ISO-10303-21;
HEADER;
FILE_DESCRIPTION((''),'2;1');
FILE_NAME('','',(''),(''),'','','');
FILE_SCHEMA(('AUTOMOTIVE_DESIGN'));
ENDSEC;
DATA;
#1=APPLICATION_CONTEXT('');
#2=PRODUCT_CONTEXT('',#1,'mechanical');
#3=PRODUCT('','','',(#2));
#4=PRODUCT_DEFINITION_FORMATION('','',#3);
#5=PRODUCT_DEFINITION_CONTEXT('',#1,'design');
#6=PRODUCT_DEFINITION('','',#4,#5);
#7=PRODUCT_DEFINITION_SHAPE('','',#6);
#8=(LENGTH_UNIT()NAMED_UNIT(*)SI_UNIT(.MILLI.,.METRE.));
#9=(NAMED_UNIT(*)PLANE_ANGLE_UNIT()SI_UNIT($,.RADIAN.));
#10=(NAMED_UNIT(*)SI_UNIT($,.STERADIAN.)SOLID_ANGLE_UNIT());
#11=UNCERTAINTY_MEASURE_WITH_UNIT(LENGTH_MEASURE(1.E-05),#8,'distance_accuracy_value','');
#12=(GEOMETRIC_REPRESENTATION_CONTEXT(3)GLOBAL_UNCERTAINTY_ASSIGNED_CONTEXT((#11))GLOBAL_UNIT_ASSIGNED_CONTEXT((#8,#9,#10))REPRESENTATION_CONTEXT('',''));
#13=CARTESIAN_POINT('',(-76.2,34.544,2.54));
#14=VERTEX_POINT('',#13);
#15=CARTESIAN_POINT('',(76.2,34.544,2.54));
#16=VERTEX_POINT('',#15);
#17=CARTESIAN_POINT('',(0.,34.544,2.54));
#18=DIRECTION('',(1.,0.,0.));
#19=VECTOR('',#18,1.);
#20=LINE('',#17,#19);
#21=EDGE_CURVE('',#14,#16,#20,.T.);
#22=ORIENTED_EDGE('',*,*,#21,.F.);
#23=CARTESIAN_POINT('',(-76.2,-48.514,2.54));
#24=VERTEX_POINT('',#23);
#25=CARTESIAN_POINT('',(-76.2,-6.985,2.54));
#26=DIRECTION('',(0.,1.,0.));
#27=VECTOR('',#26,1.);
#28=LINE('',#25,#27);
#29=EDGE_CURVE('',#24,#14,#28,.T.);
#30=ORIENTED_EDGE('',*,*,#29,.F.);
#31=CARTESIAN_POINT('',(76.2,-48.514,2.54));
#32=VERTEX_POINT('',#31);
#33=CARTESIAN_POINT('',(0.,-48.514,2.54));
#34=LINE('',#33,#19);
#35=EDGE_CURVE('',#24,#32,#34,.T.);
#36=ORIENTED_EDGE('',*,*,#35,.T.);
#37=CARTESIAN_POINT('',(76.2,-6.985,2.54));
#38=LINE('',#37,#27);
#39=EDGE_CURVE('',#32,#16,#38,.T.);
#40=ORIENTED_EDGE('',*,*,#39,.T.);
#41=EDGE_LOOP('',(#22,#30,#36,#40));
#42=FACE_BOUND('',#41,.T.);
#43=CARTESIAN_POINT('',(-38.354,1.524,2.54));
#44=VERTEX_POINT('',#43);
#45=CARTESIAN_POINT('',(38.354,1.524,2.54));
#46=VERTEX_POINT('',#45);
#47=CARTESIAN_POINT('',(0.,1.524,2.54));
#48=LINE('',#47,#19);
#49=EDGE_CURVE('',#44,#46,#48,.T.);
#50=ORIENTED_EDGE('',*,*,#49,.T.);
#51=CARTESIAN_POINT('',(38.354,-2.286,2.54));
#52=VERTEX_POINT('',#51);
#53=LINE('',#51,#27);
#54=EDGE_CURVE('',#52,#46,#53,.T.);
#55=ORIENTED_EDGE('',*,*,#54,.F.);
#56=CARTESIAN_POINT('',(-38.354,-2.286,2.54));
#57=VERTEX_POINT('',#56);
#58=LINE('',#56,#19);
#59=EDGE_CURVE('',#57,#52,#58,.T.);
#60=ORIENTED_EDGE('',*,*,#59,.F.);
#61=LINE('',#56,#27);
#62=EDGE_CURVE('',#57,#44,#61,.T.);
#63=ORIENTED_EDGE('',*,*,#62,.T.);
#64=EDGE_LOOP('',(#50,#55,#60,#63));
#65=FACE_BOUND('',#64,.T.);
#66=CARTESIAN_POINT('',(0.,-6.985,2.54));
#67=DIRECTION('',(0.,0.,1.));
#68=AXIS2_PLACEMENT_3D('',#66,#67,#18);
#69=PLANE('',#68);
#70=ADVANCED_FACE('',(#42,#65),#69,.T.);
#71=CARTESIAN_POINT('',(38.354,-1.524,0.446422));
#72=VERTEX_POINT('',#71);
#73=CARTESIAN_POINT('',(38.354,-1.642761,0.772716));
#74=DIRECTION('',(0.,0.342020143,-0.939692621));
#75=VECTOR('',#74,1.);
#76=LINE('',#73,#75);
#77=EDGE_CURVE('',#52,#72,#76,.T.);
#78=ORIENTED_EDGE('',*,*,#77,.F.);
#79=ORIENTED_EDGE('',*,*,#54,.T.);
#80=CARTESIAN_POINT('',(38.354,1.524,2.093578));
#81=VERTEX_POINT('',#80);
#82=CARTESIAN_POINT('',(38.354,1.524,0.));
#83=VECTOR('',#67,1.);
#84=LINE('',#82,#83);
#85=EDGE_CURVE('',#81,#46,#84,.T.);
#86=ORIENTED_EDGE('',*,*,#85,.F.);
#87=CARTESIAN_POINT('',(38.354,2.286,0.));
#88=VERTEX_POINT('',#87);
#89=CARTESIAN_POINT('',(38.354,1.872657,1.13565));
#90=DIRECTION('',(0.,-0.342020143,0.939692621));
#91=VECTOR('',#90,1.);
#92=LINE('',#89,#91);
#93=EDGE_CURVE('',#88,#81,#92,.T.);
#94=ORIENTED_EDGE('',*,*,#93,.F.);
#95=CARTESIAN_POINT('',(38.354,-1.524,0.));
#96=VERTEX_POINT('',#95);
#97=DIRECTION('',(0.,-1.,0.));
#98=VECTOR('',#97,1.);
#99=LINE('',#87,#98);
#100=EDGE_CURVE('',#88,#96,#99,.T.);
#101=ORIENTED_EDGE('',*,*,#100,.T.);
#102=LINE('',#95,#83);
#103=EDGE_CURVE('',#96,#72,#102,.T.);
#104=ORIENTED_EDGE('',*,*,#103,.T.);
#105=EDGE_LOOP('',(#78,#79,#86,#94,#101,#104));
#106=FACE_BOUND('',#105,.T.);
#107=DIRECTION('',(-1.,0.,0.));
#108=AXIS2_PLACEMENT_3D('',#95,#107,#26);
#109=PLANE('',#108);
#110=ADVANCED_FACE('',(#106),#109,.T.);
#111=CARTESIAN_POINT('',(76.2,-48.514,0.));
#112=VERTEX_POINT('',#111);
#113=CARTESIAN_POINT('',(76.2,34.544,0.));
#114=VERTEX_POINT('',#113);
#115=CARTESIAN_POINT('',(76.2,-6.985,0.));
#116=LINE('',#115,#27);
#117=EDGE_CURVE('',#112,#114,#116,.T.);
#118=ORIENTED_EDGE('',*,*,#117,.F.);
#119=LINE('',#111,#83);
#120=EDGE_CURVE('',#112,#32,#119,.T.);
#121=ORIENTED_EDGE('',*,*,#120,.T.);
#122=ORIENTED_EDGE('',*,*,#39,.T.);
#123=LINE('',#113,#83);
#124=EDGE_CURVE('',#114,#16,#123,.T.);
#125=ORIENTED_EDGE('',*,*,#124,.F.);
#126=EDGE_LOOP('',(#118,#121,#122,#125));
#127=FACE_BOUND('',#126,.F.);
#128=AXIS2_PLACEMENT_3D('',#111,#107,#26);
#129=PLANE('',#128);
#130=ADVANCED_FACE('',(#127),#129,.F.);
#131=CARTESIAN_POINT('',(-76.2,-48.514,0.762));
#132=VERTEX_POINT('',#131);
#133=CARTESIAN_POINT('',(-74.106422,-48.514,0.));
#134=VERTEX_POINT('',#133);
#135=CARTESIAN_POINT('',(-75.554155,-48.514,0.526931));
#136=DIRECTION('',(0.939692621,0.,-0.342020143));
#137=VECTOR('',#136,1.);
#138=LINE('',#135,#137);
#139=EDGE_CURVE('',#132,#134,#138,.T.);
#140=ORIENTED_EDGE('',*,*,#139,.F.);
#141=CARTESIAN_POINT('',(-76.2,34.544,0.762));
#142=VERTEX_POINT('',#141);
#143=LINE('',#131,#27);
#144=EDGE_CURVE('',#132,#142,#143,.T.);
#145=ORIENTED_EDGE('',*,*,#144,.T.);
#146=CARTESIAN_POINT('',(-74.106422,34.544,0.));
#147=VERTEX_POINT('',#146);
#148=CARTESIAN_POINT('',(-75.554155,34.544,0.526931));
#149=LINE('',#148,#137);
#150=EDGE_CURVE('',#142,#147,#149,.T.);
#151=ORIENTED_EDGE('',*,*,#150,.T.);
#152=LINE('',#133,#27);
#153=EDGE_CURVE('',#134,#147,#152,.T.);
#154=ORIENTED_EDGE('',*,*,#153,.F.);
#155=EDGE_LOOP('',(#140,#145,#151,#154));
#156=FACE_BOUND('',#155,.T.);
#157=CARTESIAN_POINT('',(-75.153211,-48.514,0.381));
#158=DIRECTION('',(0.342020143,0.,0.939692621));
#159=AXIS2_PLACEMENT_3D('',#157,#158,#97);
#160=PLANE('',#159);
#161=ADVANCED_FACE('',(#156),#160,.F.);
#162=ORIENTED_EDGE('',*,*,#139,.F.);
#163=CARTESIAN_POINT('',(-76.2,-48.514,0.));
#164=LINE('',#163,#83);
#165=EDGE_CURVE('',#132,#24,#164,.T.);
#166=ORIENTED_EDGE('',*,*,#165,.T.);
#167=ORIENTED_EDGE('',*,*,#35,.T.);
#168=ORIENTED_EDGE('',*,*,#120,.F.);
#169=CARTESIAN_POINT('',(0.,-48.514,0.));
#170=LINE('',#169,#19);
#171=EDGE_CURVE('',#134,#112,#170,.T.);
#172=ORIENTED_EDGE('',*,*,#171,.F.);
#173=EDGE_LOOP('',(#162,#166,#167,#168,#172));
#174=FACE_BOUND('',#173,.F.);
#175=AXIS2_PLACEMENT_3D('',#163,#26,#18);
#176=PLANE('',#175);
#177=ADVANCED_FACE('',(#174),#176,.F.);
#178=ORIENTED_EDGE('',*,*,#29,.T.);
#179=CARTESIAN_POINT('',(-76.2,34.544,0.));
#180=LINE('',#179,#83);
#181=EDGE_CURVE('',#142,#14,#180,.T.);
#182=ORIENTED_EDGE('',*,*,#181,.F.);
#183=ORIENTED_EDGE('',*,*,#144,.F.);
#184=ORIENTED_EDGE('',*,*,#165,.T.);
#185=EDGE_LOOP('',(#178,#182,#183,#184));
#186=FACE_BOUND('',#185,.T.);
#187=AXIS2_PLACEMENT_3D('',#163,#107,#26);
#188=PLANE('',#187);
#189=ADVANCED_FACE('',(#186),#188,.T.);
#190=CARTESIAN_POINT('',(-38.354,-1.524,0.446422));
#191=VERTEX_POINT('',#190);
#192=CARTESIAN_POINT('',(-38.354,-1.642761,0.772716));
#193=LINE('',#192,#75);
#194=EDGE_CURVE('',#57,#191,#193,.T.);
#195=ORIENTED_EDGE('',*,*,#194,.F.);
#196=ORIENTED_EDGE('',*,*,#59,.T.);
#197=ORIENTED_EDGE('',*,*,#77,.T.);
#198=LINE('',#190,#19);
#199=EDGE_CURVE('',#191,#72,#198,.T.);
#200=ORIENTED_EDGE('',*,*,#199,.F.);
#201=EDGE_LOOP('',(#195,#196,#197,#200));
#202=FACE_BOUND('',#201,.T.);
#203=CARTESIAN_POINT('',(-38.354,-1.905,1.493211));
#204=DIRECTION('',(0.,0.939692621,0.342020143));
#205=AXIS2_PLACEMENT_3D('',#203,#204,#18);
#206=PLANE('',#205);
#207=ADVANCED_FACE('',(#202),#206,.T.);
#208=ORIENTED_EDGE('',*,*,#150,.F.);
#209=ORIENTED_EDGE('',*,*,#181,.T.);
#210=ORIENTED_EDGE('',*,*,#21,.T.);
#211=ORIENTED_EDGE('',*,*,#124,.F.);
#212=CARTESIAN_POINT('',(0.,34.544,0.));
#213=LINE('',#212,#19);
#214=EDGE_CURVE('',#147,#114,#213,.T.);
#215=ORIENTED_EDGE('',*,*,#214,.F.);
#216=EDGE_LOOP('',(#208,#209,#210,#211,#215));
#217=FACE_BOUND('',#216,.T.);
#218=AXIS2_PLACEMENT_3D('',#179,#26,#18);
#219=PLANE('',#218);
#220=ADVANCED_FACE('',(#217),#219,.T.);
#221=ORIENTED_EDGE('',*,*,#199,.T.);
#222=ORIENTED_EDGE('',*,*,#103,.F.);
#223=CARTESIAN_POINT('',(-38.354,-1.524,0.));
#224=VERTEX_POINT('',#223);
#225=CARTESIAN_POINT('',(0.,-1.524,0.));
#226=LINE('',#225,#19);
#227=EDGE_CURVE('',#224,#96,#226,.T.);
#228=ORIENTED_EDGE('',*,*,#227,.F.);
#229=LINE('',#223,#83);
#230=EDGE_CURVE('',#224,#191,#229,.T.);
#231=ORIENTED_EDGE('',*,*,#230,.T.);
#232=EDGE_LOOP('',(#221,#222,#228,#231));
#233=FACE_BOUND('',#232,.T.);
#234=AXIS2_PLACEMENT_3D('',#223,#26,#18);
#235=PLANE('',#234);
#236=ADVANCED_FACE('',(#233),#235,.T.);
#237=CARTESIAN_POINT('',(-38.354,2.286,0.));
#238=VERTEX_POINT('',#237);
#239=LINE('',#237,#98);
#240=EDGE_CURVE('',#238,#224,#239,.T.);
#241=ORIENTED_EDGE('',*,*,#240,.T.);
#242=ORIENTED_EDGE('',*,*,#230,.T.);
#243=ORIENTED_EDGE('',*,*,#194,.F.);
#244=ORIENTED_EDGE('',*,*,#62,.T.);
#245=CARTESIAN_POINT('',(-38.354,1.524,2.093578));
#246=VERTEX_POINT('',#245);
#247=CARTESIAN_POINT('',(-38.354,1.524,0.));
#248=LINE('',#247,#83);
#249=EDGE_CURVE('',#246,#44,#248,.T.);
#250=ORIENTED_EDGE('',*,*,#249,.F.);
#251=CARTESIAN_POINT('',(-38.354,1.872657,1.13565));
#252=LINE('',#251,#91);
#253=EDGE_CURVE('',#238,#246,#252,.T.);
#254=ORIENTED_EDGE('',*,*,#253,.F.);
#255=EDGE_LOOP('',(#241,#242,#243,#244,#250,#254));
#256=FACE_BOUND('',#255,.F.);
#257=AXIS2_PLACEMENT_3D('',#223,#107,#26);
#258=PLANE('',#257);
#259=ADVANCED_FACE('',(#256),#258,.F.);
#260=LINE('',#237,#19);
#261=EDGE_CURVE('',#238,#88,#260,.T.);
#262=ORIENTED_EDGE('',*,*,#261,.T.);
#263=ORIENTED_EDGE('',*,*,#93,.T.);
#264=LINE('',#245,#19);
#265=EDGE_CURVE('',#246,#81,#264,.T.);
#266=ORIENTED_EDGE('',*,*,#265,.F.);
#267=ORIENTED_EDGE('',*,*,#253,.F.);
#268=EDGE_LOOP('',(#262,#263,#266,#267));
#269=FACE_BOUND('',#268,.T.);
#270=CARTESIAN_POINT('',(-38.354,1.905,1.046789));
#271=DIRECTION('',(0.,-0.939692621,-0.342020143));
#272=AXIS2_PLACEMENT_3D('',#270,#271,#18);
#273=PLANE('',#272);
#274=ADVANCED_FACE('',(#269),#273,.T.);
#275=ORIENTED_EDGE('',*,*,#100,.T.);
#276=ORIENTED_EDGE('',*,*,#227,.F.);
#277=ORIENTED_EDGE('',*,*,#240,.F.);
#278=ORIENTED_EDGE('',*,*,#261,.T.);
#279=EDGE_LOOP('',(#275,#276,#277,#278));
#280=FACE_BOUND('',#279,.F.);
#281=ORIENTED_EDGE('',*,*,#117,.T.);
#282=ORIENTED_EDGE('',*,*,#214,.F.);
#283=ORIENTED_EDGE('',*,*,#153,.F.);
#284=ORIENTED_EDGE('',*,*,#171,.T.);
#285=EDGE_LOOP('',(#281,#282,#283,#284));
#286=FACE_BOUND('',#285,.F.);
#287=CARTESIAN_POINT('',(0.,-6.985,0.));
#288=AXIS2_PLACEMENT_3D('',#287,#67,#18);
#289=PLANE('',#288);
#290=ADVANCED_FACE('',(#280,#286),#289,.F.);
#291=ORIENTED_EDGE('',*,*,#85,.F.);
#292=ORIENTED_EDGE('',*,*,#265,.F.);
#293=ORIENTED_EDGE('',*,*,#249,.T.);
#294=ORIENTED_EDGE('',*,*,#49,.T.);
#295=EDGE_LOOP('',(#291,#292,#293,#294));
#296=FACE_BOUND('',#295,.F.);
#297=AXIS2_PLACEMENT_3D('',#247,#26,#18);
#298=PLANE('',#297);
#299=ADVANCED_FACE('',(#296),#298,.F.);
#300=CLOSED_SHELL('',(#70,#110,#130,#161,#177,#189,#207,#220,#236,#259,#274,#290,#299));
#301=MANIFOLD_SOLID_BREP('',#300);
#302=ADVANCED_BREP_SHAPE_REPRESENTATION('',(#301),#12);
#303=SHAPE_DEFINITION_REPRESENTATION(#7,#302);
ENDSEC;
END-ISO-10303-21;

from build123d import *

# Parameters (mm, degrees)
F0_W       = 152.4
F0_H       = 83.058
F0_W_2     = 76.708
F0_H_2     = 3.048
F1_DEPTH   = 2.54
F2_SIZE2   = 2.0935777936
F2_SIZE    = 0.762
F3_SIZE2   = 2.0935777936
F3_SIZE    = 0.762
F3_2_SIZE2 = 2.0935777936
F3_2_SIZE  = 0.762


with BuildPart() as f1:
    # F0 (on Top) → F1 (new body)
    with BuildSketch(Plane.XY):
        with Locations((0, -6.985)):
            Rectangle(F0_W, F0_H)
        Rectangle(F0_W_2, F0_H_2, mode=Mode.SUBTRACT)
    extrude(amount=F1_DEPTH)

    # F2
    f2_edges = [f1.edges().sort_by_distance(p)[0] for p in [
        (0, 1.524, 0),
    ]]
    f2_side = f1.faces().sort_by_distance((0, -7.116448, 0))[0]
    chamfer(f2_edges, length=F2_SIZE, length2=F2_SIZE2, reference=f2_side)

    # F3
    f3_edges = [f1.edges().sort_by_distance(p)[0] for p in [
        (0, -1.524, 2.54),
    ]]
    f3_side = f1.faces().sort_by_distance((0, -7.116448, 2.54))[0]
    chamfer(f3_edges, length=F3_SIZE, length2=F3_SIZE2, reference=f3_side)

    # F3#2
    f3_2_edges = [f1.edges().sort_by_distance(p)[0] for p in [
        (-76.2, -6.985, 0),
    ]]
    f3_2_side = f1.faces().sort_by_distance((-76.2, -6.985, 1.27))[0]
    chamfer(f3_2_edges, length=F3_2_SIZE, length2=F3_2_SIZE2, reference=f3_2_side)


solid = f1.part
